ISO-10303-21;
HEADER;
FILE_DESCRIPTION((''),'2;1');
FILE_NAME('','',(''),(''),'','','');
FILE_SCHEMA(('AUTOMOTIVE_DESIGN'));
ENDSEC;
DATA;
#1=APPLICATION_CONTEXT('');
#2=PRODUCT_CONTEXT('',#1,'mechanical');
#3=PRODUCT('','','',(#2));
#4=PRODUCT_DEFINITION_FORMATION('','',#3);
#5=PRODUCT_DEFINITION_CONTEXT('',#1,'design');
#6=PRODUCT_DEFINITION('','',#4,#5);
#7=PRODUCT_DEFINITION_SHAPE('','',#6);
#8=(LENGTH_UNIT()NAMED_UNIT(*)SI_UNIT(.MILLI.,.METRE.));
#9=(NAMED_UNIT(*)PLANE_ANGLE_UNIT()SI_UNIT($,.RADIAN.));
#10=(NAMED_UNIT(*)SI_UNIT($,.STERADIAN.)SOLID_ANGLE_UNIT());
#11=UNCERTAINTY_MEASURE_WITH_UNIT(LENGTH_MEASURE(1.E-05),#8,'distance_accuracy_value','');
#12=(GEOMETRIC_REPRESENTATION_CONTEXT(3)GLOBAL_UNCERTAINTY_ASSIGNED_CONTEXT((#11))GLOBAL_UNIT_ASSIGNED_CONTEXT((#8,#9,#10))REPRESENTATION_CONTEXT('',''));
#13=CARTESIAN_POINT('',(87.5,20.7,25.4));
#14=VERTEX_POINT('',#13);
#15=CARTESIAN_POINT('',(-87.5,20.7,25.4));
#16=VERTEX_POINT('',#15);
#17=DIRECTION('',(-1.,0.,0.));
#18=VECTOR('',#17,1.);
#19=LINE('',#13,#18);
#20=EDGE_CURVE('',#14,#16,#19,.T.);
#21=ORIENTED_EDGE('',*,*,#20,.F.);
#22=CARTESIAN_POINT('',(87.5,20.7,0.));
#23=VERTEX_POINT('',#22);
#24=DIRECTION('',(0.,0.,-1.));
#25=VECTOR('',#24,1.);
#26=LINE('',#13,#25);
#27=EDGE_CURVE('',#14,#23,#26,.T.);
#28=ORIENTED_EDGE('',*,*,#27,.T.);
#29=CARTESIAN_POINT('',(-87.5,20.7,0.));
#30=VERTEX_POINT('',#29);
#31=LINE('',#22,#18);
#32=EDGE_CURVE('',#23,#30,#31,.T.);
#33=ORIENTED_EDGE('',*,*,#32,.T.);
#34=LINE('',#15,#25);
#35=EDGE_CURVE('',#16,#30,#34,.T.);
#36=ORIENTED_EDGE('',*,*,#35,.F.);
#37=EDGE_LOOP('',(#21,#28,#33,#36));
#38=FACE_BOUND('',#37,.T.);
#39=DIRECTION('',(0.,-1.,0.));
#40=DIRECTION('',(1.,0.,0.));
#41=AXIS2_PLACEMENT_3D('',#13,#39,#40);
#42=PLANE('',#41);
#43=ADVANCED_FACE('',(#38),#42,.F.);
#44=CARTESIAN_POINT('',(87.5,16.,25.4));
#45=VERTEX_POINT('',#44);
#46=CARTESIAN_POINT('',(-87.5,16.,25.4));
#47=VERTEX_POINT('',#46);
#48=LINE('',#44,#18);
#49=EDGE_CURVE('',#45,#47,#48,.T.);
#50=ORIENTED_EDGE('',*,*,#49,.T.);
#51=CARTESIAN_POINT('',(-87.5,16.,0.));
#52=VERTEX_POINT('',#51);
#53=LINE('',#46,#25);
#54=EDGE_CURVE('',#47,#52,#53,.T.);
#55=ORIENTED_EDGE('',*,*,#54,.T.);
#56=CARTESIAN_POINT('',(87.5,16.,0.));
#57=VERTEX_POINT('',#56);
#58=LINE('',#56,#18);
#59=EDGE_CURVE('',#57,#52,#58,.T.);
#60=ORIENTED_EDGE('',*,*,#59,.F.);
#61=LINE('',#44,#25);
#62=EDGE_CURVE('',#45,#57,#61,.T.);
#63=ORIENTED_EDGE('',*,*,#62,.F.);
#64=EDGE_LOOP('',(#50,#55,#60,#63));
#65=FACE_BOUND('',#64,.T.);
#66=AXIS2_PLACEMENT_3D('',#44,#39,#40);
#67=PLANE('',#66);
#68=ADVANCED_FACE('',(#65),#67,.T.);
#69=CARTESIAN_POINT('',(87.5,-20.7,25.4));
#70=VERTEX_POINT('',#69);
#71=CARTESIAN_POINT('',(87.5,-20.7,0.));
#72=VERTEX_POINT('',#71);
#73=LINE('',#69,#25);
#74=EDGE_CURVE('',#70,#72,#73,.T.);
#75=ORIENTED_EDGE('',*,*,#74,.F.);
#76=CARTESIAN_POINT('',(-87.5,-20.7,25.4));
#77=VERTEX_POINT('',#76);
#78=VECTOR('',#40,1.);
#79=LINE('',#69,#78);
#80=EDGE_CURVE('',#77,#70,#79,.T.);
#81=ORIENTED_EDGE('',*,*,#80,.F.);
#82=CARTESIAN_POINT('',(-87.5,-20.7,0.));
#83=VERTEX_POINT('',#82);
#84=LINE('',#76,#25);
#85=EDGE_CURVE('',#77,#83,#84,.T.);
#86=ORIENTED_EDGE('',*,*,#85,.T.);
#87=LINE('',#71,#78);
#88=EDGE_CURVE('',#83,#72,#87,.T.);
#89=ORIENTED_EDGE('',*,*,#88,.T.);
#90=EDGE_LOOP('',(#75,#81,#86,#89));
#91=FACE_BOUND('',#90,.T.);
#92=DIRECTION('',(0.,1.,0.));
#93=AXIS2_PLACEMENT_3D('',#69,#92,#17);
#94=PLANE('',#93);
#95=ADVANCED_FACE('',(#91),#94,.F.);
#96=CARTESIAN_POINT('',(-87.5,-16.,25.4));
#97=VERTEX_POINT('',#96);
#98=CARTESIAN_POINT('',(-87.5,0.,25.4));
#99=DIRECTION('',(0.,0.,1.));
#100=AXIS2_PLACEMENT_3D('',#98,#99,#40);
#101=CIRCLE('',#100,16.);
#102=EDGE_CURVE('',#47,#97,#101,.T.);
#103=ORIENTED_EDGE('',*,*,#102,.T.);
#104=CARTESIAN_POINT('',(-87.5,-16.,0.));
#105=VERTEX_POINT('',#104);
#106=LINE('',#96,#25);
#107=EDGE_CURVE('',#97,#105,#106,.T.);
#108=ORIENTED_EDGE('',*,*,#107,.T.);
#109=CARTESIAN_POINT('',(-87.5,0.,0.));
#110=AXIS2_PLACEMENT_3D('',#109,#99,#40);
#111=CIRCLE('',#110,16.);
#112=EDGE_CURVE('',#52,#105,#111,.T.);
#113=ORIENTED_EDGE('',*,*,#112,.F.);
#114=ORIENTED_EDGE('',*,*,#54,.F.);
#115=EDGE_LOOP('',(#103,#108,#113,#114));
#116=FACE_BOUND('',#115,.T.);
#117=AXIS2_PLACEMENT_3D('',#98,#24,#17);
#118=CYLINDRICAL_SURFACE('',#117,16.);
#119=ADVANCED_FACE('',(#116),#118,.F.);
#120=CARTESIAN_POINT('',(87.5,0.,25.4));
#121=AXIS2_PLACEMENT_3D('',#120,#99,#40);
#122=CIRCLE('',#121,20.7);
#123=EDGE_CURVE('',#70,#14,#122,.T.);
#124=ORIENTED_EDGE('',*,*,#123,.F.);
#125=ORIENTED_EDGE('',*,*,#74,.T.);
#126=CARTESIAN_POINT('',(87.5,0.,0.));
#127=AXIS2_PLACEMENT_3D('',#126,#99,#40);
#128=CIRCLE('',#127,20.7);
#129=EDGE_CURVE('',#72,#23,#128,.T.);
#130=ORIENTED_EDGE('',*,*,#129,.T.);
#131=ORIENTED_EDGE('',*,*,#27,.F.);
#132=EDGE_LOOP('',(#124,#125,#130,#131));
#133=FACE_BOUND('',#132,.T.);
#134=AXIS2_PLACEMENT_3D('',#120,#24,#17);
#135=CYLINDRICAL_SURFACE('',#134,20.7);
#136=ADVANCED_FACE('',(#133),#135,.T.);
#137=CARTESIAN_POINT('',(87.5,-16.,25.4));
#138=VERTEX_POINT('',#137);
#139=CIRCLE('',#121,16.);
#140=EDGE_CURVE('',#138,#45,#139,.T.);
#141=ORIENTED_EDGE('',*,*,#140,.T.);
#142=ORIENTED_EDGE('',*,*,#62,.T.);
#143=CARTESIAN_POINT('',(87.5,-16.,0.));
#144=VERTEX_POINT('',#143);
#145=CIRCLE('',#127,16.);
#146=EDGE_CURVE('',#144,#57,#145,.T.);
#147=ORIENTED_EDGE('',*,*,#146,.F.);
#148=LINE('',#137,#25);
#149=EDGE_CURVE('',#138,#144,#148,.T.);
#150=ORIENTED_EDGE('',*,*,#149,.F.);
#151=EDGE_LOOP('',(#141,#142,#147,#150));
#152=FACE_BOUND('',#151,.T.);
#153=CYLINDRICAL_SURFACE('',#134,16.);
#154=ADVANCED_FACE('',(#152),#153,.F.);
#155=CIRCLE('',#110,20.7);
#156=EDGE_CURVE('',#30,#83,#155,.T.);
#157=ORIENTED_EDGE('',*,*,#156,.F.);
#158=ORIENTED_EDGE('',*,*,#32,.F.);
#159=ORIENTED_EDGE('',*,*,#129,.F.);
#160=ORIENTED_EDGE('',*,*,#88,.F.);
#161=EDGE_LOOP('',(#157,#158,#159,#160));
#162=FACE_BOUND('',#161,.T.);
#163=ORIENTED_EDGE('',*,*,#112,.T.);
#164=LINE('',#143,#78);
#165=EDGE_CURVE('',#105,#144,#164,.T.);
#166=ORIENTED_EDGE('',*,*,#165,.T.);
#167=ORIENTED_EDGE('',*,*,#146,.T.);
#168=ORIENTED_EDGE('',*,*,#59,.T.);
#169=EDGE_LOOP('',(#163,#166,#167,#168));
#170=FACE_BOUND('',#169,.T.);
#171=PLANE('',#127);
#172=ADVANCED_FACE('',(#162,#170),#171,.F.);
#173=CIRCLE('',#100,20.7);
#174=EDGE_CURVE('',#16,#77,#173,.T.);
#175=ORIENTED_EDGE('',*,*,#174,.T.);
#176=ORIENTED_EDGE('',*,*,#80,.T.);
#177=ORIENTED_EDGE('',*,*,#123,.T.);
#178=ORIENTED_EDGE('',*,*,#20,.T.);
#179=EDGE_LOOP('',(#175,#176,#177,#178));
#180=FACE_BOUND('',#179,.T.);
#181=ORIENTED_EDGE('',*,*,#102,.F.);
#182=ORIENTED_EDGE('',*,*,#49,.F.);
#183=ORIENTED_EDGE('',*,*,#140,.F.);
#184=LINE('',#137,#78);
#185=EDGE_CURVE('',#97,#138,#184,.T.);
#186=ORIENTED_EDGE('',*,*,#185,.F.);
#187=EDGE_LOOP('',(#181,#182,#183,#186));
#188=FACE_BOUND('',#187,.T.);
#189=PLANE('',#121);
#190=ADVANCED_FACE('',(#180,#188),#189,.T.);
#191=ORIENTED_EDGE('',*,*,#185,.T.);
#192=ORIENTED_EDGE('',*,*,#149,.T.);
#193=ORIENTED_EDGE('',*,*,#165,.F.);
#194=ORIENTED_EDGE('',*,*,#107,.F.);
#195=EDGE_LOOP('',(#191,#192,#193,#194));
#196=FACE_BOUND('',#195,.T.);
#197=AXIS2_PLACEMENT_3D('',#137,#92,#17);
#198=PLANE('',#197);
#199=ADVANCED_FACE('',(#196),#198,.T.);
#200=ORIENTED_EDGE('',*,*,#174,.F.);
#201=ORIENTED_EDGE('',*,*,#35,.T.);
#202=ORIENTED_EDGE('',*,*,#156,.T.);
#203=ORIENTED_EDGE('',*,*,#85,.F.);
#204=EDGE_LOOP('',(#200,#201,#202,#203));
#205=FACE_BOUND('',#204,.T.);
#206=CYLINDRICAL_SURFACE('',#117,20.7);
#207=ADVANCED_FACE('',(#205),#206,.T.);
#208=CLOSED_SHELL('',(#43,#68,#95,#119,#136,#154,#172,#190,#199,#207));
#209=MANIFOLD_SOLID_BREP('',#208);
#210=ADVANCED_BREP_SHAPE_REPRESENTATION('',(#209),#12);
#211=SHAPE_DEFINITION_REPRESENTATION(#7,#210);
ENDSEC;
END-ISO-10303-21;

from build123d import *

# Parameters (mm, degrees)
BOSS_EXTRUDE1_DEPTH = 25.4


with BuildPart() as part:
    # Sketch1 → Boss-Extrude1 (new body)
    with BuildSketch(Plane.XY):
        with BuildLine():
            Line((87.5, -20.7), (-87.5, -20.7))
            ThreePointArc((-87.5, -20.7), (-108.2, 0), (-87.5, 20.7))
            Line((-87.5, 20.7), (87.5, 20.7))
            ThreePointArc((87.5, 20.7), (108.2, 0), (87.5, -20.7))
        make_face()
        with BuildLine():
            Line((87.5, -16), (-87.5, -16))
            ThreePointArc((-87.5, -16), (-103.5, 0), (-87.5, 16))
            Line((-87.5, 16), (87.5, 16))
            ThreePointArc((87.5, 16), (103.5, 0), (87.5, -16))
        make_face(mode=Mode.SUBTRACT)
    extrude(amount=BOSS_EXTRUDE1_DEPTH)


solid = part.part
